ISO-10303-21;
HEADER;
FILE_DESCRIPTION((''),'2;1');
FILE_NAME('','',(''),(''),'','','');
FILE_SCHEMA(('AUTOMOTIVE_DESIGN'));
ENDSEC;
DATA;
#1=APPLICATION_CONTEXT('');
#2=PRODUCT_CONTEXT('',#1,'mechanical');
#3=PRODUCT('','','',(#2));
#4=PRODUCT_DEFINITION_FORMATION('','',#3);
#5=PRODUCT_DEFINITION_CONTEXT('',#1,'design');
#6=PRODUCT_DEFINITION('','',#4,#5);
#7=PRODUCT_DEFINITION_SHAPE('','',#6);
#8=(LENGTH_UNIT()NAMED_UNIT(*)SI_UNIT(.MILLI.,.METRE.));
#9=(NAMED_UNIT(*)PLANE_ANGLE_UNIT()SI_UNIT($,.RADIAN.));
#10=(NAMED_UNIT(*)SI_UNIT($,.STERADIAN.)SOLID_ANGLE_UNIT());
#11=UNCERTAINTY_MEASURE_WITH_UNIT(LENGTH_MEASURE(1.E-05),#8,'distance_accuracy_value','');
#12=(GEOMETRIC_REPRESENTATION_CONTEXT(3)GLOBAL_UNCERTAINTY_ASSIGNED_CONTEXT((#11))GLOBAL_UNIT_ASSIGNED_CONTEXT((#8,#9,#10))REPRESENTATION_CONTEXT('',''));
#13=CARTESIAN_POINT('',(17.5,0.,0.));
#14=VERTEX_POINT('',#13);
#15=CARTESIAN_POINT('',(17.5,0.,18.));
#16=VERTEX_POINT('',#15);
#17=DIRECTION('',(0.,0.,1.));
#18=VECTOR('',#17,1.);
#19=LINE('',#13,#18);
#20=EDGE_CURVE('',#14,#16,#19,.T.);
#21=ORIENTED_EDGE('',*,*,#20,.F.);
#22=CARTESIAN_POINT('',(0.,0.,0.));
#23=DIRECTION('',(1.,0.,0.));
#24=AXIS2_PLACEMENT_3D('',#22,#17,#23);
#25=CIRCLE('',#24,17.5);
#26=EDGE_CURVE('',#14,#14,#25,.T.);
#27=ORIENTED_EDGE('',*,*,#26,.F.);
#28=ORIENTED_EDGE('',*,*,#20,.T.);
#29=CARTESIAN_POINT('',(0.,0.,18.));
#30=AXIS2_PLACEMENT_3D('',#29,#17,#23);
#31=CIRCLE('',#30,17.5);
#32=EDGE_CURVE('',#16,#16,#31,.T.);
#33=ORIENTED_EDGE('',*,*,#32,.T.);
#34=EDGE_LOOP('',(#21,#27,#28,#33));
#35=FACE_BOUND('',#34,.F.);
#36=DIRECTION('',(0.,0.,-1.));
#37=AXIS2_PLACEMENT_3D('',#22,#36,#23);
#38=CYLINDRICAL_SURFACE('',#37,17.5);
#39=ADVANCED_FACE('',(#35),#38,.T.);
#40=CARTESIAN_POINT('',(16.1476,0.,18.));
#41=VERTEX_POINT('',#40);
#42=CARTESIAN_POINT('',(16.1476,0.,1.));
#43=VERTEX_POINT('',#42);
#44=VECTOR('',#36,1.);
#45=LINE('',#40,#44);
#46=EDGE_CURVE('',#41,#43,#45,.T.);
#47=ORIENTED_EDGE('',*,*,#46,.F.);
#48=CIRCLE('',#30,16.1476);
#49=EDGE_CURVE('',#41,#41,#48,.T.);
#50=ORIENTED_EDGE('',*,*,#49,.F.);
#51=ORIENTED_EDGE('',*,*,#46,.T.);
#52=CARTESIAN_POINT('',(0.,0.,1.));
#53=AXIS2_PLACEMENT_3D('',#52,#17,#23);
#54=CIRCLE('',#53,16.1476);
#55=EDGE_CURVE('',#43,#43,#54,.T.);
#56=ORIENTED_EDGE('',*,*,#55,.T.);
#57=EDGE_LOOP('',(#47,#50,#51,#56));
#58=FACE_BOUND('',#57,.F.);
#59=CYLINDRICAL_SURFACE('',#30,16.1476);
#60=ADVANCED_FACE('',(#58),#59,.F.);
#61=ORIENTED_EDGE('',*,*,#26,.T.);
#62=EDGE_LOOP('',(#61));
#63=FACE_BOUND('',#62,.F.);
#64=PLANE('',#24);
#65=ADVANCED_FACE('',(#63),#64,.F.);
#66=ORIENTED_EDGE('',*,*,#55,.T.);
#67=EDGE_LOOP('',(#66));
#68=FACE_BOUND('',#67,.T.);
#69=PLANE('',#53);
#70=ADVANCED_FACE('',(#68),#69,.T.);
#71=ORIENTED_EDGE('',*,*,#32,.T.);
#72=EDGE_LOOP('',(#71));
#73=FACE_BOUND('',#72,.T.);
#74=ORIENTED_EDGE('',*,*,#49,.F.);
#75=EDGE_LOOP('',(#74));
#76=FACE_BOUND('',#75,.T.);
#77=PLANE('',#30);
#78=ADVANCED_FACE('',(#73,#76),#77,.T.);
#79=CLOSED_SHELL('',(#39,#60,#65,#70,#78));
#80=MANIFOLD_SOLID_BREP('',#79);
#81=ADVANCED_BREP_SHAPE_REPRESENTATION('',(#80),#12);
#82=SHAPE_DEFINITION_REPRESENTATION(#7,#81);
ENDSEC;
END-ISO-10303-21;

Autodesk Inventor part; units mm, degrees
ref_plane "YZ Plane" through (0, 0, 0) normal (1, 0, 0) x (0, 1, 0)
ref_plane "XZ Plane" through (0, 0, 0) normal (0, 1, 0) x (-1, 0, 0)
ref_plane "XY Plane" through (0, 0, 0) normal (0, 0, 1) x (1, 0, 0)
sketch "Sketch1" plane through (0, 0, 0) normal (0, 0, 1) x (1, 0, 0)
  circle A0 centre (0, 0) radius 17.5
  dimension "d0" = 35
extrude "Extrusion1" add sketch "Sketch1" along normal blind 18
sketch "Sketch2" plane through (0, 0, 18) normal (0, 0, 1) x (1, 0, 0)
  circle A0 centre (0, 0) radius 17.5 projected
  circle A1 centre (0, 0) radius 16.1476
extrude "Extrusion2" cut sketch "Sketch2" against normal blind 17 contours A1
properties part number "00_SMLM_chamber"
